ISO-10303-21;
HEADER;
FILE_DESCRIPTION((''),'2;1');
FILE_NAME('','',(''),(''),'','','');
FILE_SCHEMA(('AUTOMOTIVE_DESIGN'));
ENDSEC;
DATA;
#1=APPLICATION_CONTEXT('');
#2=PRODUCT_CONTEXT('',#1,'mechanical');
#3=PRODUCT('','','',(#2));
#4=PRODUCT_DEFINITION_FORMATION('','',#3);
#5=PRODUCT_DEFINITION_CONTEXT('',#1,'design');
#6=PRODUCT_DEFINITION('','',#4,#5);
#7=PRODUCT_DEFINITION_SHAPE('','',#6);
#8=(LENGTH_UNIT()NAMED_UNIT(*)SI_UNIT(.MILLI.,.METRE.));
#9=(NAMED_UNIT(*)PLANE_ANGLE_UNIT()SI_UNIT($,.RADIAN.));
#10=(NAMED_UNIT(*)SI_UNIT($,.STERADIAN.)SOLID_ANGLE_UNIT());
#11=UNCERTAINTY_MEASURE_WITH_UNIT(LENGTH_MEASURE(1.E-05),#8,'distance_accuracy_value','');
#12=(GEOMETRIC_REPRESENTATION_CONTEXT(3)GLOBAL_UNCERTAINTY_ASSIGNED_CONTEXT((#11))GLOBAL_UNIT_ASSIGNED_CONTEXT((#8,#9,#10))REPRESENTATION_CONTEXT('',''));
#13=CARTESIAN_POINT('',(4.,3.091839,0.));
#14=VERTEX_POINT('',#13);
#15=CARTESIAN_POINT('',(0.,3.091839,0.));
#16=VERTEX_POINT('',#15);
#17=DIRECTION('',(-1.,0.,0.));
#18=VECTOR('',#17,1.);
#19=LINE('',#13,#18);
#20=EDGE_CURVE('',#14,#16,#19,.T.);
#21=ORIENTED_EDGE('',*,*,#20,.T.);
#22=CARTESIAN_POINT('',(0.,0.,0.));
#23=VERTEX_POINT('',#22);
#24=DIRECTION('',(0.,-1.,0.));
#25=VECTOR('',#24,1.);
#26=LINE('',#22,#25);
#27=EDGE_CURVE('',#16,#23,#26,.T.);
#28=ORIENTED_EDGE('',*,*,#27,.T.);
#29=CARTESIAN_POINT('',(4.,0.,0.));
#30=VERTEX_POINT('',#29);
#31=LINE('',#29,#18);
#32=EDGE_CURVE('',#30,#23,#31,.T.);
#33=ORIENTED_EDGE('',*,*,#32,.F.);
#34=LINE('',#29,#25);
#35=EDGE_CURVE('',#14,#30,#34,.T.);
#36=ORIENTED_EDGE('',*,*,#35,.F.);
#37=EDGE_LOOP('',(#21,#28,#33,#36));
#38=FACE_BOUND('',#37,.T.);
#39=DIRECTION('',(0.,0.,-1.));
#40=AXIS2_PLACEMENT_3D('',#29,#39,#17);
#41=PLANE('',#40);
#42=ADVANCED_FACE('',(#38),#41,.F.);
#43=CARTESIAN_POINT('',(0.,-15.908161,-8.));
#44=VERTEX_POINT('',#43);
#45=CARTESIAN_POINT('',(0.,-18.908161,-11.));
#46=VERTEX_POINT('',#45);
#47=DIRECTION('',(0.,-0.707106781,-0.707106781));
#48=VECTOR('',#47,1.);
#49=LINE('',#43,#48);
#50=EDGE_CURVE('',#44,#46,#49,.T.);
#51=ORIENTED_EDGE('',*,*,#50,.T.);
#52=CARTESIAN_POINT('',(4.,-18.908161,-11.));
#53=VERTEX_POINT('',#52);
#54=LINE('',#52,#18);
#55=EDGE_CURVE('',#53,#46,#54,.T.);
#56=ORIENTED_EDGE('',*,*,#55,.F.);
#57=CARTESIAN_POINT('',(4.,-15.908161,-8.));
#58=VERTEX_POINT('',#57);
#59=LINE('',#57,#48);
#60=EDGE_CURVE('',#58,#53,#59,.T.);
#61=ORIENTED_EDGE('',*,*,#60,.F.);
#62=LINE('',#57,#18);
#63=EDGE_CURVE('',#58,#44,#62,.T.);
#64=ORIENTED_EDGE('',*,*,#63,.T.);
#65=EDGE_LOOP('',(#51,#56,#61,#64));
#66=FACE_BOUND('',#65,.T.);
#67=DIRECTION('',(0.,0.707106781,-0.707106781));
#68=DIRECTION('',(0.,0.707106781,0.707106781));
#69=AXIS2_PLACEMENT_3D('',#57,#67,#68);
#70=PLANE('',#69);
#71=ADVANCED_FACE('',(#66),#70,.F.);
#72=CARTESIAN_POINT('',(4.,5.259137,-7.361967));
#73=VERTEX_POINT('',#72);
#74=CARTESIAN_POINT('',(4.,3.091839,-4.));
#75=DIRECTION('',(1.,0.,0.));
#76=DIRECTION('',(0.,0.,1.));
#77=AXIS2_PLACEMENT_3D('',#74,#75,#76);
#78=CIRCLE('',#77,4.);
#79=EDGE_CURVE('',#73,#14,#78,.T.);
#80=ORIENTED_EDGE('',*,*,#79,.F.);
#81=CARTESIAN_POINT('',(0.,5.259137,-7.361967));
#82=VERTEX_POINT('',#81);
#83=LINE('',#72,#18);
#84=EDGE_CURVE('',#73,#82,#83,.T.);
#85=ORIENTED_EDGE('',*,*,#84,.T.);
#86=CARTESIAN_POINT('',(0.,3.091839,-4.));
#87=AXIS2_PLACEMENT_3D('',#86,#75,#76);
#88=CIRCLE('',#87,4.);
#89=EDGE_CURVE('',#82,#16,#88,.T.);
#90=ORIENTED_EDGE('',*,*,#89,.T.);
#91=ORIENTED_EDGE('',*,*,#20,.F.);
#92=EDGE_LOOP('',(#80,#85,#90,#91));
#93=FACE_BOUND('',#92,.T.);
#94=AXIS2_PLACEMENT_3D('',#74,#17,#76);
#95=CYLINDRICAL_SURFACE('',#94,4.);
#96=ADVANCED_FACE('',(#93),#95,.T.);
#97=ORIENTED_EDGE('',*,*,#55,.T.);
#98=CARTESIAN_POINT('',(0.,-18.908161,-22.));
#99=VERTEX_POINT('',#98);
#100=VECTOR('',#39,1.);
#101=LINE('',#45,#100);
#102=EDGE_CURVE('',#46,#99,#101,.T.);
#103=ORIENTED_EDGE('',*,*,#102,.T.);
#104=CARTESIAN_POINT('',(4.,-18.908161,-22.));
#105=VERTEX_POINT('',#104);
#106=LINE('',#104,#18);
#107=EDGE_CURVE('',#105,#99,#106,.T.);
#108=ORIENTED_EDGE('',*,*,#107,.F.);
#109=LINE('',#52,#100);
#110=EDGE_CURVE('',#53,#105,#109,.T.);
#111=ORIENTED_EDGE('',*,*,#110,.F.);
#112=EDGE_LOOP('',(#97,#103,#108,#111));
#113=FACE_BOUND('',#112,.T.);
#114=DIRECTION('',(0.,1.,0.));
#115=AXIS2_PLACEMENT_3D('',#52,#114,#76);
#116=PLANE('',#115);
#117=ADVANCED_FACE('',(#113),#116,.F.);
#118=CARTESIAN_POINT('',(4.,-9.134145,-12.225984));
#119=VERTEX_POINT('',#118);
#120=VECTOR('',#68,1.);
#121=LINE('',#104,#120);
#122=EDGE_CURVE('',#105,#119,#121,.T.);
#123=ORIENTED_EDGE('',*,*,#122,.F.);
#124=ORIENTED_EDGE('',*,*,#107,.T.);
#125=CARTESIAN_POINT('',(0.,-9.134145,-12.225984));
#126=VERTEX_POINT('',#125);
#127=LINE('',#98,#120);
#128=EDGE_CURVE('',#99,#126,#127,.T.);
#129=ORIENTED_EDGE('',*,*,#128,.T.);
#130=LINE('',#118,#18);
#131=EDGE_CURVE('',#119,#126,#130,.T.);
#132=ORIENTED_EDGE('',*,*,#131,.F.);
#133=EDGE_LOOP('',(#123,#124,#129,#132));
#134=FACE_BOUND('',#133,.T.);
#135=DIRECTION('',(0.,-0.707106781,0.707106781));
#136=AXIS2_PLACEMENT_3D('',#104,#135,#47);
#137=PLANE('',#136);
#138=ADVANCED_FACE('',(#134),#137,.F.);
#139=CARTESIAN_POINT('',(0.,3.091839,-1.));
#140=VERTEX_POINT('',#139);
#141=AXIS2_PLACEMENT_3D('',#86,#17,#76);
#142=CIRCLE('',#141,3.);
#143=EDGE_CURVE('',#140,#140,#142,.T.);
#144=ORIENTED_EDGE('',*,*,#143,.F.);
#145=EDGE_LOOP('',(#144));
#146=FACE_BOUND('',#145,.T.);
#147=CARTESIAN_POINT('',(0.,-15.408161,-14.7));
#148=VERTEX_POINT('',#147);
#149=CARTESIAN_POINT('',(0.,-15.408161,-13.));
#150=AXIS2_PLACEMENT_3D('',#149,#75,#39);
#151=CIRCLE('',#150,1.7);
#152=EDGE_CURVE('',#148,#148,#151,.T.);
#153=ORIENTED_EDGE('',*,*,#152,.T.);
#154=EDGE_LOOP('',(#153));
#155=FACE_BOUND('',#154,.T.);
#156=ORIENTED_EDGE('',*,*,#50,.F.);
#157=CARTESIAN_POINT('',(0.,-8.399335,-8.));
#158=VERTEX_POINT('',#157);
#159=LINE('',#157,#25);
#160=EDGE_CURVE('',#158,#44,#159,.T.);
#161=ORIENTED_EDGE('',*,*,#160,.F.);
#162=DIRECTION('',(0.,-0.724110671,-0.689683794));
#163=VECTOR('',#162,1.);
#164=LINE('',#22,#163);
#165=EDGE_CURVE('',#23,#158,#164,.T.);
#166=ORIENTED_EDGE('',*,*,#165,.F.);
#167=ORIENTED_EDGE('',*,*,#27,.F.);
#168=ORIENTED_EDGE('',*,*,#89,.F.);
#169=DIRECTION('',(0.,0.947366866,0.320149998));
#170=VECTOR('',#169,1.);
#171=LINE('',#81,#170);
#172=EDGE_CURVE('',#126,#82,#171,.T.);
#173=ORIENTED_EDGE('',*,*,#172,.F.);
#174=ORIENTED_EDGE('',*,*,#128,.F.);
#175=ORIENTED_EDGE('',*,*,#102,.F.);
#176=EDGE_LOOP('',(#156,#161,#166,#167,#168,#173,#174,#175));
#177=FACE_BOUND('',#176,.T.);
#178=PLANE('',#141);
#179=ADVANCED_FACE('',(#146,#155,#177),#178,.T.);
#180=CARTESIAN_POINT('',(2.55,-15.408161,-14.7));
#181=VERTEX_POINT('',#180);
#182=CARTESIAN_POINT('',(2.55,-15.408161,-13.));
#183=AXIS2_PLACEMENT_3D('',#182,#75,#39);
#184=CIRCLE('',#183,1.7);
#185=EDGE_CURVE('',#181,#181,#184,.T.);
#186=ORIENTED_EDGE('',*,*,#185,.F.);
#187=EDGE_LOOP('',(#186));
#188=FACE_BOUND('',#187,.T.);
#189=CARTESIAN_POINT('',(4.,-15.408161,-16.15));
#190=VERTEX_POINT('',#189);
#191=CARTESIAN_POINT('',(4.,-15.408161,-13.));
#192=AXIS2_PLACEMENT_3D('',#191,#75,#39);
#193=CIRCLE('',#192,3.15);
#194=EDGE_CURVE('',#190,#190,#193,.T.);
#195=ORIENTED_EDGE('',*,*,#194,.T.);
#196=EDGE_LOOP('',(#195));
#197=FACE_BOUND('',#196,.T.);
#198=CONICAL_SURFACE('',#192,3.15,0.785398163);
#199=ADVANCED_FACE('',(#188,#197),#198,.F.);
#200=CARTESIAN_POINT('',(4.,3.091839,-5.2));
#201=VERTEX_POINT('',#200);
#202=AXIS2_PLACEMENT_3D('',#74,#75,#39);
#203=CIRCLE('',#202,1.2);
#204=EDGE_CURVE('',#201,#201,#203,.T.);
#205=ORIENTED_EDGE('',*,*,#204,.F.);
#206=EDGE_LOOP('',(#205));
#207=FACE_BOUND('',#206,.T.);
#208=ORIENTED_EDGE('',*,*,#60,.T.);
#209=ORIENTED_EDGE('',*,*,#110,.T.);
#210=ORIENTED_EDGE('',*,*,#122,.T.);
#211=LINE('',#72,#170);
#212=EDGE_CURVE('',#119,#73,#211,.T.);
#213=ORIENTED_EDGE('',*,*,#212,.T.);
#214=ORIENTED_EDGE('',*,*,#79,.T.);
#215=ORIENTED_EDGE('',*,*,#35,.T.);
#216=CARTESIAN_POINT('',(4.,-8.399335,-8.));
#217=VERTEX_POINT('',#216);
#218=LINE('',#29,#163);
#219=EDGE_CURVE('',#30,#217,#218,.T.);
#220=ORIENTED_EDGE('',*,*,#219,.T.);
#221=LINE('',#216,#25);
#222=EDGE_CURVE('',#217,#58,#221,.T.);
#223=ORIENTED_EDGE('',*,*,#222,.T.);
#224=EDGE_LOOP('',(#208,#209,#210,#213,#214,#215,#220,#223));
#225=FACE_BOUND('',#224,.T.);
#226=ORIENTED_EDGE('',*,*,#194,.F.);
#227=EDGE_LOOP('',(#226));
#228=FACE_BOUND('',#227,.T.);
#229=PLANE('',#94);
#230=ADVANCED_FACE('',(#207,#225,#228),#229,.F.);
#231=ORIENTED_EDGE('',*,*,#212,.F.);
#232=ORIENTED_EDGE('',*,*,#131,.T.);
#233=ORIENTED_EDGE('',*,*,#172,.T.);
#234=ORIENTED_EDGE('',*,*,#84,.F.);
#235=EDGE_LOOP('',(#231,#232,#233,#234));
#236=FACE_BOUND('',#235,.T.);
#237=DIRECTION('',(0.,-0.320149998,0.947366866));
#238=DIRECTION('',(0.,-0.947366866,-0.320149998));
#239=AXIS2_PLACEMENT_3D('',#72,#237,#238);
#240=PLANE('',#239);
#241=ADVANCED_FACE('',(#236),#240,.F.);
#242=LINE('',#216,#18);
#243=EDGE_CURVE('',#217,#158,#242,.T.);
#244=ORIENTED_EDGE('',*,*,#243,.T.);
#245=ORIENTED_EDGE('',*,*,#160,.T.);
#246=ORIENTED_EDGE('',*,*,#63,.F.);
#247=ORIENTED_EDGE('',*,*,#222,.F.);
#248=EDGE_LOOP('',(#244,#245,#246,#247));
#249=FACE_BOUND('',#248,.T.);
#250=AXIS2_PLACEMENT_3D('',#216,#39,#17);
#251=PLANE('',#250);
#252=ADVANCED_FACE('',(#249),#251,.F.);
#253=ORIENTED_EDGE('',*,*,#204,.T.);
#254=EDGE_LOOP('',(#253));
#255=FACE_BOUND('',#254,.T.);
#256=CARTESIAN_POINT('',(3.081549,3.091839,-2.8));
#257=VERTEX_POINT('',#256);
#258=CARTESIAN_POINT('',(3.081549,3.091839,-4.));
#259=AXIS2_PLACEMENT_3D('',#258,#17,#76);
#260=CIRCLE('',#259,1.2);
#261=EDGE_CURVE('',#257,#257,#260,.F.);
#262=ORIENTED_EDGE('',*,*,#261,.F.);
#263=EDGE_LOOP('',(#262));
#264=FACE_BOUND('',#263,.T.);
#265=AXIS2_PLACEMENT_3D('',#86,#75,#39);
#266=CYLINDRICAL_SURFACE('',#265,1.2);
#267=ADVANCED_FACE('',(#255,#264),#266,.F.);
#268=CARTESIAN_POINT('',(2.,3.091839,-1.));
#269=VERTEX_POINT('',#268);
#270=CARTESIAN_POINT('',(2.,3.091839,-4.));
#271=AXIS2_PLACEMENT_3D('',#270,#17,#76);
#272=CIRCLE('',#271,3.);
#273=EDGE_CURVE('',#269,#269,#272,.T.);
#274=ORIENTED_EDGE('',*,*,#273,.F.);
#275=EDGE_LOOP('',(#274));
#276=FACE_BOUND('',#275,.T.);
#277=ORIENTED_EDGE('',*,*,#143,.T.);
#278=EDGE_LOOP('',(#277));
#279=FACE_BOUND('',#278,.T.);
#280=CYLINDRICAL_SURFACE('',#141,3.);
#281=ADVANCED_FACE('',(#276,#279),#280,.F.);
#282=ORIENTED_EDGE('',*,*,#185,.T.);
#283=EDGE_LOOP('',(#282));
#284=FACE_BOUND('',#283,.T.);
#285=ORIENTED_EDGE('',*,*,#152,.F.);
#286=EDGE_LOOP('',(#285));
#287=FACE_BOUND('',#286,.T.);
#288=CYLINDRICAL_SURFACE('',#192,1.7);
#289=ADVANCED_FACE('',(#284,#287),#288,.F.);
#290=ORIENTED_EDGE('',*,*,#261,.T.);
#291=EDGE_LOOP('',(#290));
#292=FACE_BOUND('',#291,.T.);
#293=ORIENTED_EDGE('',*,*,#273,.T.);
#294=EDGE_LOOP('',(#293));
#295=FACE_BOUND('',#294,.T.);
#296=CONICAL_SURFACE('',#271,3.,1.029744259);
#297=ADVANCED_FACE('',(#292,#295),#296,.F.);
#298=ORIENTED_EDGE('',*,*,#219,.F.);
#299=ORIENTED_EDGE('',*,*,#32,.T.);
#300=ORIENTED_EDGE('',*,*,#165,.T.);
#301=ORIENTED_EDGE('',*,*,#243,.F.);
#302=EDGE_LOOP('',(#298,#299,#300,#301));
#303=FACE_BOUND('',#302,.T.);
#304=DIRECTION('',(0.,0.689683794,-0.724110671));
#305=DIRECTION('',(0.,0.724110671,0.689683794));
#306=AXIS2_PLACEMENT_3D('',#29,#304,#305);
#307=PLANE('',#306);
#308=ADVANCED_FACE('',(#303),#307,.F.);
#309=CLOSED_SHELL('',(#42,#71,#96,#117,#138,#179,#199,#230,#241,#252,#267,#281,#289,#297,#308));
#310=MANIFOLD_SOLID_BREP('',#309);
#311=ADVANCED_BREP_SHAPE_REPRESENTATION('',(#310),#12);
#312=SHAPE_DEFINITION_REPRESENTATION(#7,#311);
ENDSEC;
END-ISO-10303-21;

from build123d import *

# Parameters (mm, degrees)
RESSALTO_EXTRUS_O1_DEPTH                             = 4
FURO_DE_DI_METRO_6_0_6_1_D                           = 6
FURO_DE_DI_METRO_6_0_6_1_DEPTH                       = 2
FURO_DE_DI_METRO_6_0_6_1_TIP                         = 1.802581857
ESBO_O4_R                                            = 1.2
CORTE_EXTRUS_O1_DEPTH                                = 30.283417381
ESCAREADO_PARA_PARAFUSO_COM_CABE_A_ESCAR_D           = 3.4
ESCAREADO_PARA_PARAFUSO_COM_CABE_A_ESCAR_CSINK_D     = 6.3
ESCAREADO_PARA_PARAFUSO_COM_CABE_A_ESCAR_CSINK_ANGLE = 90


with BuildPart() as part:
    # Esboço1 → Ressalto-extrusão1 (new body)
    with BuildSketch(Plane(origin=(0, 0, 0), x_dir=(0, 0, -1), z_dir=(1, 0, 0))):
        with BuildLine():
            Line((0, 0), (0, 3.091839499))
            ThreePointArc((0, 3.091839499), (2.870368785, 6.92901728), (7.361966659, 5.259137398))
            Line((7.361966659, 5.259137398), (12.225984495, -9.134144996))
            Line((12.225984495, -9.134144996), (22, -18.908160501))
            Line((22, -18.908160501), (11, -18.908160501))
            Line((11, -18.908160501), (8, -15.908160501))
            Line((8, -15.908160501), (8, -8.399335203))
            Line((8, -8.399335203), (0, 0))
        make_face()
    extrude(amount=RESSALTO_EXTRUS_O1_DEPTH)

    # Furo de diâmetro Ø6.0 (6)1
    with Locations(Plane.ZY):
        with Locations((-4, 3.091839499)):
            Hole(FURO_DE_DI_METRO_6_0_6_1_D / 2, depth=FURO_DE_DI_METRO_6_0_6_1_DEPTH)
            with Locations((0, 0, -(FURO_DE_DI_METRO_6_0_6_1_DEPTH + FURO_DE_DI_METRO_6_0_6_1_TIP / 2))):  # 118° drill point
                Cone(0, FURO_DE_DI_METRO_6_0_6_1_D / 2, FURO_DE_DI_METRO_6_0_6_1_TIP, mode=Mode.SUBTRACT)

    # Esboço4 → Corte-extrusão1 (cut, through all)
    with BuildSketch(Plane(origin=(4, 0, 0), x_dir=(0, 0, -1), z_dir=(1, 0, 0))):
        with Locations((4, 3.091839499)):
            Circle(ESBO_O4_R)
    extrude(amount=-CORTE_EXTRUS_O1_DEPTH, mode=Mode.SUBTRACT)

    # Escareado para parafuso com cabeça escareada chata de M31 (through all)
    with Locations(Plane(origin=(4, 0, 0), x_dir=(0, 0, -1), z_dir=(1, 0, 0))):
        with Locations((13, -15.408160501)):
            CounterSinkHole(ESCAREADO_PARA_PARAFUSO_COM_CABE_A_ESCAR_D / 2, ESCAREADO_PARA_PARAFUSO_COM_CABE_A_ESCAR_CSINK_D / 2, counter_sink_angle=ESCAREADO_PARA_PARAFUSO_COM_CABE_A_ESCAR_CSINK_ANGLE)


solid = part.part
